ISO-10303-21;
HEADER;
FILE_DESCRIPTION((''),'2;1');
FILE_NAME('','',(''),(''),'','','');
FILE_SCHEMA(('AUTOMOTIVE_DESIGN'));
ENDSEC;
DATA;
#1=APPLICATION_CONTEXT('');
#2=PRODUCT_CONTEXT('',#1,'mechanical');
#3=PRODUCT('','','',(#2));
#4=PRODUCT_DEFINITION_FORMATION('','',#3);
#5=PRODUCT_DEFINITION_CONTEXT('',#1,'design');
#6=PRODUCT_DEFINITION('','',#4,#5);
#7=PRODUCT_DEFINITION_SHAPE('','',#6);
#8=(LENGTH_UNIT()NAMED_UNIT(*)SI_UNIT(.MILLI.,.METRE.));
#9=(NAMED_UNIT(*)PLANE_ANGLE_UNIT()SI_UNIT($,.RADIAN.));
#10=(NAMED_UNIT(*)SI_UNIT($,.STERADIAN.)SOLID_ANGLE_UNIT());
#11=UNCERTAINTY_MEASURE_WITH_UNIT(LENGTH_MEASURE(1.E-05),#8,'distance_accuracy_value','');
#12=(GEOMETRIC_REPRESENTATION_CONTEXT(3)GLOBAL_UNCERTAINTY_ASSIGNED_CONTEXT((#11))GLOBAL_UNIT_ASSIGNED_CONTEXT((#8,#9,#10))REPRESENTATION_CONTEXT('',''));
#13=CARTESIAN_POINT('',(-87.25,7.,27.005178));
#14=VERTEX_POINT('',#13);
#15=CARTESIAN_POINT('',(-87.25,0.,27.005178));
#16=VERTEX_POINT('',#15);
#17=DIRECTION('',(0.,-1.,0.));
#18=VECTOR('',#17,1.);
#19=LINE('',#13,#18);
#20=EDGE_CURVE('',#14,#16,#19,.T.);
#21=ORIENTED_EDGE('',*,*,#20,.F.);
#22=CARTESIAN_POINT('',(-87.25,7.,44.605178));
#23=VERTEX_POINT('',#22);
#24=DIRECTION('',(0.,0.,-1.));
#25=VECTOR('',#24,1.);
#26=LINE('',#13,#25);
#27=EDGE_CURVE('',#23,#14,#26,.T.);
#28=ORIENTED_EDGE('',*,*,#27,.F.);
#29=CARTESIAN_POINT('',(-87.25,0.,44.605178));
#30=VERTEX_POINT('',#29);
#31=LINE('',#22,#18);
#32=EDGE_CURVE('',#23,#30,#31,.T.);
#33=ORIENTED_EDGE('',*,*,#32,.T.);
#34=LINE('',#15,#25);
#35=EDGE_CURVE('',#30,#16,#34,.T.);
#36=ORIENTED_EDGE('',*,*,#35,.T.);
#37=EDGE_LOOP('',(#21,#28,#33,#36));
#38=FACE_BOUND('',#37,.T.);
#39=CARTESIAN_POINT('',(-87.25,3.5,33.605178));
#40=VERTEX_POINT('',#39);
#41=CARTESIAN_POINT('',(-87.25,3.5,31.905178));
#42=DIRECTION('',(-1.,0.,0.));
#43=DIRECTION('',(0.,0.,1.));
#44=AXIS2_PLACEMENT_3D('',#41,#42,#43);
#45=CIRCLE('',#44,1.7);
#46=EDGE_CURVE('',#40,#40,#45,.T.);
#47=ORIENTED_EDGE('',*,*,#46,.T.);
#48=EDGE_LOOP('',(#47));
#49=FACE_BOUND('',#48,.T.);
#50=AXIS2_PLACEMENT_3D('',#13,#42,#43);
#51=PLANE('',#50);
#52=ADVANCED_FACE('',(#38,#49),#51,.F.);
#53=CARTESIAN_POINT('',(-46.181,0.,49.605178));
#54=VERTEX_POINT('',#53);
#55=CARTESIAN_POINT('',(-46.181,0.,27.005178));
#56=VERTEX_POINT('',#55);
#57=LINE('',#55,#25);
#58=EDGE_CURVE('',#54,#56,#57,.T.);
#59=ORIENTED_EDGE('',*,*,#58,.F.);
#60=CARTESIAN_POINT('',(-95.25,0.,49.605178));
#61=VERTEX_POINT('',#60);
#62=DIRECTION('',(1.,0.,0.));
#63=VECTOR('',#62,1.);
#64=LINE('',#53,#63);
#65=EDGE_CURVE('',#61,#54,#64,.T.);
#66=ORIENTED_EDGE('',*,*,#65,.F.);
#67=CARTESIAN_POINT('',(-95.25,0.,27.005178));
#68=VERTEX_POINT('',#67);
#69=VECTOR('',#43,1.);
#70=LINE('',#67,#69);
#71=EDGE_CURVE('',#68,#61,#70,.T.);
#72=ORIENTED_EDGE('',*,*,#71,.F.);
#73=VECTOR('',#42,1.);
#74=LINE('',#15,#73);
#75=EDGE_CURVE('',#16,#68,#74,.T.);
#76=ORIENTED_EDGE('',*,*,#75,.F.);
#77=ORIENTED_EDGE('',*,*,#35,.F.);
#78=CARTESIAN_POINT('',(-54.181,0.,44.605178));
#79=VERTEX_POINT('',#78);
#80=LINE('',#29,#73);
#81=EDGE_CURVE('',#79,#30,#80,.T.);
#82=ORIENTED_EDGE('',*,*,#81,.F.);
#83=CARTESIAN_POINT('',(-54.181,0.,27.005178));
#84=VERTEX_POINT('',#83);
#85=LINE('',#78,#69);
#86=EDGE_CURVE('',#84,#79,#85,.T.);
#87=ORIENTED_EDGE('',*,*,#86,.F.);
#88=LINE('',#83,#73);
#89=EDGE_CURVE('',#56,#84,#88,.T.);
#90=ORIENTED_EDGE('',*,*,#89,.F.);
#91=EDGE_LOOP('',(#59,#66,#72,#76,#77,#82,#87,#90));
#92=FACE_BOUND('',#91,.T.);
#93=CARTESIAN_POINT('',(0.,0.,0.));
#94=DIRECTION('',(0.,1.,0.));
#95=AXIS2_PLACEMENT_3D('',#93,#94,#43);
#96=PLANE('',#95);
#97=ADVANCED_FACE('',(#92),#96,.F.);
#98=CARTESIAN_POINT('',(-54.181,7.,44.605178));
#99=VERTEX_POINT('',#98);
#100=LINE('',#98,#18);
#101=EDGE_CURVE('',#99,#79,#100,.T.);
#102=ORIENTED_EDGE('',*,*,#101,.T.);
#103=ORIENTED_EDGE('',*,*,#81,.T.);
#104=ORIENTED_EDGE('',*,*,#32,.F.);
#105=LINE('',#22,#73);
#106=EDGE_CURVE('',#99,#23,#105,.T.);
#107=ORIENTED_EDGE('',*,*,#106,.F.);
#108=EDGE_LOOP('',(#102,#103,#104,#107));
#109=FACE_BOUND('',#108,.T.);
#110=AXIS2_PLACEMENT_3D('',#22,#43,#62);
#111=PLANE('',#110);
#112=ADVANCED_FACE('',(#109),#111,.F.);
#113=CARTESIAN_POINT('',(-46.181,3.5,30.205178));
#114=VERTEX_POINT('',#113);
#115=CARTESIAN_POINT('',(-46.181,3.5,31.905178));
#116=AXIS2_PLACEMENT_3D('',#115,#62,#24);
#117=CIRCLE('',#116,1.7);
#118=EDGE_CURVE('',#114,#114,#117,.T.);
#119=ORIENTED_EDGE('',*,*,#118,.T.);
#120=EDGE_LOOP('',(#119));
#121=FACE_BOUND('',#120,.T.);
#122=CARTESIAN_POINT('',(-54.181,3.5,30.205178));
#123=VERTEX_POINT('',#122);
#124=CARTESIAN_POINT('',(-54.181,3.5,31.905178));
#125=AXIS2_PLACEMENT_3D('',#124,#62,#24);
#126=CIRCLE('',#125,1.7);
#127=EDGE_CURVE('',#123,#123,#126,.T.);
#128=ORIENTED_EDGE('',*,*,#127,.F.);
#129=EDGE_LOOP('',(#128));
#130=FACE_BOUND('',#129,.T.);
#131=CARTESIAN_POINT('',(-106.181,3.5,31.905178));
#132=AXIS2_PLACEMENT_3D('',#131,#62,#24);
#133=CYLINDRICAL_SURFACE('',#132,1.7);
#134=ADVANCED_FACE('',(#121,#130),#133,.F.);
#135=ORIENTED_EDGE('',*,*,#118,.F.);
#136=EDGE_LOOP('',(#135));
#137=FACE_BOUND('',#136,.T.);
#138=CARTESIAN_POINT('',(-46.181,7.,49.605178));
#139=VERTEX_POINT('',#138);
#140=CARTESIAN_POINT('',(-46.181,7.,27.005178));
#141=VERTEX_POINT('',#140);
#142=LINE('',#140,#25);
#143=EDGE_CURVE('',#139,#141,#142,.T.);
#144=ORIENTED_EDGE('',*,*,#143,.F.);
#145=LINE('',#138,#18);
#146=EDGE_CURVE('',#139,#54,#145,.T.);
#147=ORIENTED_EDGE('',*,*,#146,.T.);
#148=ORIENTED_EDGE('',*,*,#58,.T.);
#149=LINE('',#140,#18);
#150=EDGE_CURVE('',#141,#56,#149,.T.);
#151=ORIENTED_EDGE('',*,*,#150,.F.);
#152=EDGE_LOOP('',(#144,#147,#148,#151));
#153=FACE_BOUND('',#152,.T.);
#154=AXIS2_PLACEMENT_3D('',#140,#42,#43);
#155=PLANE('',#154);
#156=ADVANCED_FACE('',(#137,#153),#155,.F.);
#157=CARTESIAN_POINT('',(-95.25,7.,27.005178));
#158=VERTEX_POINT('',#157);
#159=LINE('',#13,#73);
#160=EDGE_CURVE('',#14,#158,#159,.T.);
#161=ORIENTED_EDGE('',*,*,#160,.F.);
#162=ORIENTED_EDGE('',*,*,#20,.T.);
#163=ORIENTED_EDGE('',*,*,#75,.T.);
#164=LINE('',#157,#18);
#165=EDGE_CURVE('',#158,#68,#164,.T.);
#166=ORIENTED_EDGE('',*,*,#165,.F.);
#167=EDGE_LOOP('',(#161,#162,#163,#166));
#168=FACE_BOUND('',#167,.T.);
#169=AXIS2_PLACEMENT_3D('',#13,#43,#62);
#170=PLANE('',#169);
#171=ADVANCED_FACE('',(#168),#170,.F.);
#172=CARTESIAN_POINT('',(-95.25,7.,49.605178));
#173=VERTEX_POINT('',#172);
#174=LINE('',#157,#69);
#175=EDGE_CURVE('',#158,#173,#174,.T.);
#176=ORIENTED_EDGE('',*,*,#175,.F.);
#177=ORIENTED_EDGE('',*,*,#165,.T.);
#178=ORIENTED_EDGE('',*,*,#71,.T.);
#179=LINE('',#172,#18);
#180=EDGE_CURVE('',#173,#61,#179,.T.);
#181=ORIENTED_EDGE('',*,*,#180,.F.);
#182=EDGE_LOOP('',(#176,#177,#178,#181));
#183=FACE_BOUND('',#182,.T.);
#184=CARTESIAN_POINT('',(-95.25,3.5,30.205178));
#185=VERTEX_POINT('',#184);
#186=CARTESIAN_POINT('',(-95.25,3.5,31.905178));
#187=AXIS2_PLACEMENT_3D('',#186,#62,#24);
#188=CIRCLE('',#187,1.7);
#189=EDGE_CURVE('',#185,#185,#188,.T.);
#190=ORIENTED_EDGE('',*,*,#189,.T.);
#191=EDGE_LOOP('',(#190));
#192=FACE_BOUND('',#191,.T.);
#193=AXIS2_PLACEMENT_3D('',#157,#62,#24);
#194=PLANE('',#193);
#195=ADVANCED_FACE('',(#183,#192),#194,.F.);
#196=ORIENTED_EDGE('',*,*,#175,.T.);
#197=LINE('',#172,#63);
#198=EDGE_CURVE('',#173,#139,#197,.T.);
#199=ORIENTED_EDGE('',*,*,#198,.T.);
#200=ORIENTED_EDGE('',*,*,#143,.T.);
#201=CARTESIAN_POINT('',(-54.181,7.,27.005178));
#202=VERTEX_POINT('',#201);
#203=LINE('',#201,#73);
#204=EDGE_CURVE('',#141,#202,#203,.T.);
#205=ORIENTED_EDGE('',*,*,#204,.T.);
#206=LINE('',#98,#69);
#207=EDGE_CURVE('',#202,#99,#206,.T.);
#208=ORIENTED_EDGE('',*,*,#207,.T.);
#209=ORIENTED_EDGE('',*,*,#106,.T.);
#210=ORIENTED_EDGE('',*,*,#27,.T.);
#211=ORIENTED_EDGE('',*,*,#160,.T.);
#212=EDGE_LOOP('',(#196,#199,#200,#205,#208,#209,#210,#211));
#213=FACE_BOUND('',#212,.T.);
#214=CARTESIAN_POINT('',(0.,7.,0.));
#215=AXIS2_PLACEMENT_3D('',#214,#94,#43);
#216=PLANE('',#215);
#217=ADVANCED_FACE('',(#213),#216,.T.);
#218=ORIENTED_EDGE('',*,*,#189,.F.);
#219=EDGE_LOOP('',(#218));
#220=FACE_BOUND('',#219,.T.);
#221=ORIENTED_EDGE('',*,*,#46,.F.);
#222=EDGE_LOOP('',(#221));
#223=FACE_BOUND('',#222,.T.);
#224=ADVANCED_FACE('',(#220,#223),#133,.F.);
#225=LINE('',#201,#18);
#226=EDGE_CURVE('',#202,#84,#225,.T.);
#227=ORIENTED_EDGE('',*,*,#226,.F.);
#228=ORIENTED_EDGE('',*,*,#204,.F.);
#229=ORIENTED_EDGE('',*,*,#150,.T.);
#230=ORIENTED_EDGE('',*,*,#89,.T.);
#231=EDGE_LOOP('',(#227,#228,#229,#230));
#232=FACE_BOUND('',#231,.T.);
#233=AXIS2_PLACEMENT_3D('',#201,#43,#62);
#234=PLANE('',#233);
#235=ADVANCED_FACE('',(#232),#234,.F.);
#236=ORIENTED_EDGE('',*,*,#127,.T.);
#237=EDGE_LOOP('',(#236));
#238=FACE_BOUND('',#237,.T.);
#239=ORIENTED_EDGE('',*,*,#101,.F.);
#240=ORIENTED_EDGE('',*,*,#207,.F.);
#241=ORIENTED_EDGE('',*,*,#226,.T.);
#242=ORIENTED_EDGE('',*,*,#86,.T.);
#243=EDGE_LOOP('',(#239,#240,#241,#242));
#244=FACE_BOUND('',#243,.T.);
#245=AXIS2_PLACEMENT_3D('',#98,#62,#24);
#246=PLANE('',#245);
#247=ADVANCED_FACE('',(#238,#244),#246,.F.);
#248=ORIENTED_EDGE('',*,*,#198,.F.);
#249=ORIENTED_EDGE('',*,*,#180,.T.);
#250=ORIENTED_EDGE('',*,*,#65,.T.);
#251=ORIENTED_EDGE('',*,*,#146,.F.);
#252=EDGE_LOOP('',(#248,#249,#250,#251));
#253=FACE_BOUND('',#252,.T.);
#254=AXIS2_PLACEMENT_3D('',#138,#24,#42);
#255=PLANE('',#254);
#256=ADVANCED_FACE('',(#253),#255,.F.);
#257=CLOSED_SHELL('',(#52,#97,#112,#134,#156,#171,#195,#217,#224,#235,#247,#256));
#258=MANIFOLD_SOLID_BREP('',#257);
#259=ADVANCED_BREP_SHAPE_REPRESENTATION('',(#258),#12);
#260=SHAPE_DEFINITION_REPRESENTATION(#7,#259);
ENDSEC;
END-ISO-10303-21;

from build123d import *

# Parameters (mm, degrees)
BOSS_EXTRUDE1_DEPTH = 7
SKETCH3_R           = 1.7
CUT_EXTRUDE2_DEPTH  = 60


with BuildPart() as part:
    # Sketch1 → Boss-Extrude1 (new body)
    with BuildSketch(Plane(origin=(0, 0, 0), x_dir=(1, 0, 0), z_dir=(0, 1, 0))):
        Polygon((-87.25, -27.005178012), (-87.25, -44.605178012), (-54.181, -44.605178012), (-54.181, -27.005178012), (-46.181, -27.005178012), (-46.181, -49.605178012), (-64.006, -49.605178012), (-77.425, -49.605178012), (-95.25, -49.605178012), (-95.25, -27.005178012), align=None)
    extrude(amount=BOSS_EXTRUDE1_DEPTH)

    # Sketch3 → Cut-Extrude2 (cut)
    with BuildSketch(Plane(origin=(-46.181, 0, 0), x_dir=(0, 0, -1), z_dir=(1, 0, 0))):
        with Locations((-31.905178012, 3.5)):
            Circle(SKETCH3_R)
    extrude(amount=-CUT_EXTRUDE2_DEPTH, mode=Mode.SUBTRACT)


solid = part.part
